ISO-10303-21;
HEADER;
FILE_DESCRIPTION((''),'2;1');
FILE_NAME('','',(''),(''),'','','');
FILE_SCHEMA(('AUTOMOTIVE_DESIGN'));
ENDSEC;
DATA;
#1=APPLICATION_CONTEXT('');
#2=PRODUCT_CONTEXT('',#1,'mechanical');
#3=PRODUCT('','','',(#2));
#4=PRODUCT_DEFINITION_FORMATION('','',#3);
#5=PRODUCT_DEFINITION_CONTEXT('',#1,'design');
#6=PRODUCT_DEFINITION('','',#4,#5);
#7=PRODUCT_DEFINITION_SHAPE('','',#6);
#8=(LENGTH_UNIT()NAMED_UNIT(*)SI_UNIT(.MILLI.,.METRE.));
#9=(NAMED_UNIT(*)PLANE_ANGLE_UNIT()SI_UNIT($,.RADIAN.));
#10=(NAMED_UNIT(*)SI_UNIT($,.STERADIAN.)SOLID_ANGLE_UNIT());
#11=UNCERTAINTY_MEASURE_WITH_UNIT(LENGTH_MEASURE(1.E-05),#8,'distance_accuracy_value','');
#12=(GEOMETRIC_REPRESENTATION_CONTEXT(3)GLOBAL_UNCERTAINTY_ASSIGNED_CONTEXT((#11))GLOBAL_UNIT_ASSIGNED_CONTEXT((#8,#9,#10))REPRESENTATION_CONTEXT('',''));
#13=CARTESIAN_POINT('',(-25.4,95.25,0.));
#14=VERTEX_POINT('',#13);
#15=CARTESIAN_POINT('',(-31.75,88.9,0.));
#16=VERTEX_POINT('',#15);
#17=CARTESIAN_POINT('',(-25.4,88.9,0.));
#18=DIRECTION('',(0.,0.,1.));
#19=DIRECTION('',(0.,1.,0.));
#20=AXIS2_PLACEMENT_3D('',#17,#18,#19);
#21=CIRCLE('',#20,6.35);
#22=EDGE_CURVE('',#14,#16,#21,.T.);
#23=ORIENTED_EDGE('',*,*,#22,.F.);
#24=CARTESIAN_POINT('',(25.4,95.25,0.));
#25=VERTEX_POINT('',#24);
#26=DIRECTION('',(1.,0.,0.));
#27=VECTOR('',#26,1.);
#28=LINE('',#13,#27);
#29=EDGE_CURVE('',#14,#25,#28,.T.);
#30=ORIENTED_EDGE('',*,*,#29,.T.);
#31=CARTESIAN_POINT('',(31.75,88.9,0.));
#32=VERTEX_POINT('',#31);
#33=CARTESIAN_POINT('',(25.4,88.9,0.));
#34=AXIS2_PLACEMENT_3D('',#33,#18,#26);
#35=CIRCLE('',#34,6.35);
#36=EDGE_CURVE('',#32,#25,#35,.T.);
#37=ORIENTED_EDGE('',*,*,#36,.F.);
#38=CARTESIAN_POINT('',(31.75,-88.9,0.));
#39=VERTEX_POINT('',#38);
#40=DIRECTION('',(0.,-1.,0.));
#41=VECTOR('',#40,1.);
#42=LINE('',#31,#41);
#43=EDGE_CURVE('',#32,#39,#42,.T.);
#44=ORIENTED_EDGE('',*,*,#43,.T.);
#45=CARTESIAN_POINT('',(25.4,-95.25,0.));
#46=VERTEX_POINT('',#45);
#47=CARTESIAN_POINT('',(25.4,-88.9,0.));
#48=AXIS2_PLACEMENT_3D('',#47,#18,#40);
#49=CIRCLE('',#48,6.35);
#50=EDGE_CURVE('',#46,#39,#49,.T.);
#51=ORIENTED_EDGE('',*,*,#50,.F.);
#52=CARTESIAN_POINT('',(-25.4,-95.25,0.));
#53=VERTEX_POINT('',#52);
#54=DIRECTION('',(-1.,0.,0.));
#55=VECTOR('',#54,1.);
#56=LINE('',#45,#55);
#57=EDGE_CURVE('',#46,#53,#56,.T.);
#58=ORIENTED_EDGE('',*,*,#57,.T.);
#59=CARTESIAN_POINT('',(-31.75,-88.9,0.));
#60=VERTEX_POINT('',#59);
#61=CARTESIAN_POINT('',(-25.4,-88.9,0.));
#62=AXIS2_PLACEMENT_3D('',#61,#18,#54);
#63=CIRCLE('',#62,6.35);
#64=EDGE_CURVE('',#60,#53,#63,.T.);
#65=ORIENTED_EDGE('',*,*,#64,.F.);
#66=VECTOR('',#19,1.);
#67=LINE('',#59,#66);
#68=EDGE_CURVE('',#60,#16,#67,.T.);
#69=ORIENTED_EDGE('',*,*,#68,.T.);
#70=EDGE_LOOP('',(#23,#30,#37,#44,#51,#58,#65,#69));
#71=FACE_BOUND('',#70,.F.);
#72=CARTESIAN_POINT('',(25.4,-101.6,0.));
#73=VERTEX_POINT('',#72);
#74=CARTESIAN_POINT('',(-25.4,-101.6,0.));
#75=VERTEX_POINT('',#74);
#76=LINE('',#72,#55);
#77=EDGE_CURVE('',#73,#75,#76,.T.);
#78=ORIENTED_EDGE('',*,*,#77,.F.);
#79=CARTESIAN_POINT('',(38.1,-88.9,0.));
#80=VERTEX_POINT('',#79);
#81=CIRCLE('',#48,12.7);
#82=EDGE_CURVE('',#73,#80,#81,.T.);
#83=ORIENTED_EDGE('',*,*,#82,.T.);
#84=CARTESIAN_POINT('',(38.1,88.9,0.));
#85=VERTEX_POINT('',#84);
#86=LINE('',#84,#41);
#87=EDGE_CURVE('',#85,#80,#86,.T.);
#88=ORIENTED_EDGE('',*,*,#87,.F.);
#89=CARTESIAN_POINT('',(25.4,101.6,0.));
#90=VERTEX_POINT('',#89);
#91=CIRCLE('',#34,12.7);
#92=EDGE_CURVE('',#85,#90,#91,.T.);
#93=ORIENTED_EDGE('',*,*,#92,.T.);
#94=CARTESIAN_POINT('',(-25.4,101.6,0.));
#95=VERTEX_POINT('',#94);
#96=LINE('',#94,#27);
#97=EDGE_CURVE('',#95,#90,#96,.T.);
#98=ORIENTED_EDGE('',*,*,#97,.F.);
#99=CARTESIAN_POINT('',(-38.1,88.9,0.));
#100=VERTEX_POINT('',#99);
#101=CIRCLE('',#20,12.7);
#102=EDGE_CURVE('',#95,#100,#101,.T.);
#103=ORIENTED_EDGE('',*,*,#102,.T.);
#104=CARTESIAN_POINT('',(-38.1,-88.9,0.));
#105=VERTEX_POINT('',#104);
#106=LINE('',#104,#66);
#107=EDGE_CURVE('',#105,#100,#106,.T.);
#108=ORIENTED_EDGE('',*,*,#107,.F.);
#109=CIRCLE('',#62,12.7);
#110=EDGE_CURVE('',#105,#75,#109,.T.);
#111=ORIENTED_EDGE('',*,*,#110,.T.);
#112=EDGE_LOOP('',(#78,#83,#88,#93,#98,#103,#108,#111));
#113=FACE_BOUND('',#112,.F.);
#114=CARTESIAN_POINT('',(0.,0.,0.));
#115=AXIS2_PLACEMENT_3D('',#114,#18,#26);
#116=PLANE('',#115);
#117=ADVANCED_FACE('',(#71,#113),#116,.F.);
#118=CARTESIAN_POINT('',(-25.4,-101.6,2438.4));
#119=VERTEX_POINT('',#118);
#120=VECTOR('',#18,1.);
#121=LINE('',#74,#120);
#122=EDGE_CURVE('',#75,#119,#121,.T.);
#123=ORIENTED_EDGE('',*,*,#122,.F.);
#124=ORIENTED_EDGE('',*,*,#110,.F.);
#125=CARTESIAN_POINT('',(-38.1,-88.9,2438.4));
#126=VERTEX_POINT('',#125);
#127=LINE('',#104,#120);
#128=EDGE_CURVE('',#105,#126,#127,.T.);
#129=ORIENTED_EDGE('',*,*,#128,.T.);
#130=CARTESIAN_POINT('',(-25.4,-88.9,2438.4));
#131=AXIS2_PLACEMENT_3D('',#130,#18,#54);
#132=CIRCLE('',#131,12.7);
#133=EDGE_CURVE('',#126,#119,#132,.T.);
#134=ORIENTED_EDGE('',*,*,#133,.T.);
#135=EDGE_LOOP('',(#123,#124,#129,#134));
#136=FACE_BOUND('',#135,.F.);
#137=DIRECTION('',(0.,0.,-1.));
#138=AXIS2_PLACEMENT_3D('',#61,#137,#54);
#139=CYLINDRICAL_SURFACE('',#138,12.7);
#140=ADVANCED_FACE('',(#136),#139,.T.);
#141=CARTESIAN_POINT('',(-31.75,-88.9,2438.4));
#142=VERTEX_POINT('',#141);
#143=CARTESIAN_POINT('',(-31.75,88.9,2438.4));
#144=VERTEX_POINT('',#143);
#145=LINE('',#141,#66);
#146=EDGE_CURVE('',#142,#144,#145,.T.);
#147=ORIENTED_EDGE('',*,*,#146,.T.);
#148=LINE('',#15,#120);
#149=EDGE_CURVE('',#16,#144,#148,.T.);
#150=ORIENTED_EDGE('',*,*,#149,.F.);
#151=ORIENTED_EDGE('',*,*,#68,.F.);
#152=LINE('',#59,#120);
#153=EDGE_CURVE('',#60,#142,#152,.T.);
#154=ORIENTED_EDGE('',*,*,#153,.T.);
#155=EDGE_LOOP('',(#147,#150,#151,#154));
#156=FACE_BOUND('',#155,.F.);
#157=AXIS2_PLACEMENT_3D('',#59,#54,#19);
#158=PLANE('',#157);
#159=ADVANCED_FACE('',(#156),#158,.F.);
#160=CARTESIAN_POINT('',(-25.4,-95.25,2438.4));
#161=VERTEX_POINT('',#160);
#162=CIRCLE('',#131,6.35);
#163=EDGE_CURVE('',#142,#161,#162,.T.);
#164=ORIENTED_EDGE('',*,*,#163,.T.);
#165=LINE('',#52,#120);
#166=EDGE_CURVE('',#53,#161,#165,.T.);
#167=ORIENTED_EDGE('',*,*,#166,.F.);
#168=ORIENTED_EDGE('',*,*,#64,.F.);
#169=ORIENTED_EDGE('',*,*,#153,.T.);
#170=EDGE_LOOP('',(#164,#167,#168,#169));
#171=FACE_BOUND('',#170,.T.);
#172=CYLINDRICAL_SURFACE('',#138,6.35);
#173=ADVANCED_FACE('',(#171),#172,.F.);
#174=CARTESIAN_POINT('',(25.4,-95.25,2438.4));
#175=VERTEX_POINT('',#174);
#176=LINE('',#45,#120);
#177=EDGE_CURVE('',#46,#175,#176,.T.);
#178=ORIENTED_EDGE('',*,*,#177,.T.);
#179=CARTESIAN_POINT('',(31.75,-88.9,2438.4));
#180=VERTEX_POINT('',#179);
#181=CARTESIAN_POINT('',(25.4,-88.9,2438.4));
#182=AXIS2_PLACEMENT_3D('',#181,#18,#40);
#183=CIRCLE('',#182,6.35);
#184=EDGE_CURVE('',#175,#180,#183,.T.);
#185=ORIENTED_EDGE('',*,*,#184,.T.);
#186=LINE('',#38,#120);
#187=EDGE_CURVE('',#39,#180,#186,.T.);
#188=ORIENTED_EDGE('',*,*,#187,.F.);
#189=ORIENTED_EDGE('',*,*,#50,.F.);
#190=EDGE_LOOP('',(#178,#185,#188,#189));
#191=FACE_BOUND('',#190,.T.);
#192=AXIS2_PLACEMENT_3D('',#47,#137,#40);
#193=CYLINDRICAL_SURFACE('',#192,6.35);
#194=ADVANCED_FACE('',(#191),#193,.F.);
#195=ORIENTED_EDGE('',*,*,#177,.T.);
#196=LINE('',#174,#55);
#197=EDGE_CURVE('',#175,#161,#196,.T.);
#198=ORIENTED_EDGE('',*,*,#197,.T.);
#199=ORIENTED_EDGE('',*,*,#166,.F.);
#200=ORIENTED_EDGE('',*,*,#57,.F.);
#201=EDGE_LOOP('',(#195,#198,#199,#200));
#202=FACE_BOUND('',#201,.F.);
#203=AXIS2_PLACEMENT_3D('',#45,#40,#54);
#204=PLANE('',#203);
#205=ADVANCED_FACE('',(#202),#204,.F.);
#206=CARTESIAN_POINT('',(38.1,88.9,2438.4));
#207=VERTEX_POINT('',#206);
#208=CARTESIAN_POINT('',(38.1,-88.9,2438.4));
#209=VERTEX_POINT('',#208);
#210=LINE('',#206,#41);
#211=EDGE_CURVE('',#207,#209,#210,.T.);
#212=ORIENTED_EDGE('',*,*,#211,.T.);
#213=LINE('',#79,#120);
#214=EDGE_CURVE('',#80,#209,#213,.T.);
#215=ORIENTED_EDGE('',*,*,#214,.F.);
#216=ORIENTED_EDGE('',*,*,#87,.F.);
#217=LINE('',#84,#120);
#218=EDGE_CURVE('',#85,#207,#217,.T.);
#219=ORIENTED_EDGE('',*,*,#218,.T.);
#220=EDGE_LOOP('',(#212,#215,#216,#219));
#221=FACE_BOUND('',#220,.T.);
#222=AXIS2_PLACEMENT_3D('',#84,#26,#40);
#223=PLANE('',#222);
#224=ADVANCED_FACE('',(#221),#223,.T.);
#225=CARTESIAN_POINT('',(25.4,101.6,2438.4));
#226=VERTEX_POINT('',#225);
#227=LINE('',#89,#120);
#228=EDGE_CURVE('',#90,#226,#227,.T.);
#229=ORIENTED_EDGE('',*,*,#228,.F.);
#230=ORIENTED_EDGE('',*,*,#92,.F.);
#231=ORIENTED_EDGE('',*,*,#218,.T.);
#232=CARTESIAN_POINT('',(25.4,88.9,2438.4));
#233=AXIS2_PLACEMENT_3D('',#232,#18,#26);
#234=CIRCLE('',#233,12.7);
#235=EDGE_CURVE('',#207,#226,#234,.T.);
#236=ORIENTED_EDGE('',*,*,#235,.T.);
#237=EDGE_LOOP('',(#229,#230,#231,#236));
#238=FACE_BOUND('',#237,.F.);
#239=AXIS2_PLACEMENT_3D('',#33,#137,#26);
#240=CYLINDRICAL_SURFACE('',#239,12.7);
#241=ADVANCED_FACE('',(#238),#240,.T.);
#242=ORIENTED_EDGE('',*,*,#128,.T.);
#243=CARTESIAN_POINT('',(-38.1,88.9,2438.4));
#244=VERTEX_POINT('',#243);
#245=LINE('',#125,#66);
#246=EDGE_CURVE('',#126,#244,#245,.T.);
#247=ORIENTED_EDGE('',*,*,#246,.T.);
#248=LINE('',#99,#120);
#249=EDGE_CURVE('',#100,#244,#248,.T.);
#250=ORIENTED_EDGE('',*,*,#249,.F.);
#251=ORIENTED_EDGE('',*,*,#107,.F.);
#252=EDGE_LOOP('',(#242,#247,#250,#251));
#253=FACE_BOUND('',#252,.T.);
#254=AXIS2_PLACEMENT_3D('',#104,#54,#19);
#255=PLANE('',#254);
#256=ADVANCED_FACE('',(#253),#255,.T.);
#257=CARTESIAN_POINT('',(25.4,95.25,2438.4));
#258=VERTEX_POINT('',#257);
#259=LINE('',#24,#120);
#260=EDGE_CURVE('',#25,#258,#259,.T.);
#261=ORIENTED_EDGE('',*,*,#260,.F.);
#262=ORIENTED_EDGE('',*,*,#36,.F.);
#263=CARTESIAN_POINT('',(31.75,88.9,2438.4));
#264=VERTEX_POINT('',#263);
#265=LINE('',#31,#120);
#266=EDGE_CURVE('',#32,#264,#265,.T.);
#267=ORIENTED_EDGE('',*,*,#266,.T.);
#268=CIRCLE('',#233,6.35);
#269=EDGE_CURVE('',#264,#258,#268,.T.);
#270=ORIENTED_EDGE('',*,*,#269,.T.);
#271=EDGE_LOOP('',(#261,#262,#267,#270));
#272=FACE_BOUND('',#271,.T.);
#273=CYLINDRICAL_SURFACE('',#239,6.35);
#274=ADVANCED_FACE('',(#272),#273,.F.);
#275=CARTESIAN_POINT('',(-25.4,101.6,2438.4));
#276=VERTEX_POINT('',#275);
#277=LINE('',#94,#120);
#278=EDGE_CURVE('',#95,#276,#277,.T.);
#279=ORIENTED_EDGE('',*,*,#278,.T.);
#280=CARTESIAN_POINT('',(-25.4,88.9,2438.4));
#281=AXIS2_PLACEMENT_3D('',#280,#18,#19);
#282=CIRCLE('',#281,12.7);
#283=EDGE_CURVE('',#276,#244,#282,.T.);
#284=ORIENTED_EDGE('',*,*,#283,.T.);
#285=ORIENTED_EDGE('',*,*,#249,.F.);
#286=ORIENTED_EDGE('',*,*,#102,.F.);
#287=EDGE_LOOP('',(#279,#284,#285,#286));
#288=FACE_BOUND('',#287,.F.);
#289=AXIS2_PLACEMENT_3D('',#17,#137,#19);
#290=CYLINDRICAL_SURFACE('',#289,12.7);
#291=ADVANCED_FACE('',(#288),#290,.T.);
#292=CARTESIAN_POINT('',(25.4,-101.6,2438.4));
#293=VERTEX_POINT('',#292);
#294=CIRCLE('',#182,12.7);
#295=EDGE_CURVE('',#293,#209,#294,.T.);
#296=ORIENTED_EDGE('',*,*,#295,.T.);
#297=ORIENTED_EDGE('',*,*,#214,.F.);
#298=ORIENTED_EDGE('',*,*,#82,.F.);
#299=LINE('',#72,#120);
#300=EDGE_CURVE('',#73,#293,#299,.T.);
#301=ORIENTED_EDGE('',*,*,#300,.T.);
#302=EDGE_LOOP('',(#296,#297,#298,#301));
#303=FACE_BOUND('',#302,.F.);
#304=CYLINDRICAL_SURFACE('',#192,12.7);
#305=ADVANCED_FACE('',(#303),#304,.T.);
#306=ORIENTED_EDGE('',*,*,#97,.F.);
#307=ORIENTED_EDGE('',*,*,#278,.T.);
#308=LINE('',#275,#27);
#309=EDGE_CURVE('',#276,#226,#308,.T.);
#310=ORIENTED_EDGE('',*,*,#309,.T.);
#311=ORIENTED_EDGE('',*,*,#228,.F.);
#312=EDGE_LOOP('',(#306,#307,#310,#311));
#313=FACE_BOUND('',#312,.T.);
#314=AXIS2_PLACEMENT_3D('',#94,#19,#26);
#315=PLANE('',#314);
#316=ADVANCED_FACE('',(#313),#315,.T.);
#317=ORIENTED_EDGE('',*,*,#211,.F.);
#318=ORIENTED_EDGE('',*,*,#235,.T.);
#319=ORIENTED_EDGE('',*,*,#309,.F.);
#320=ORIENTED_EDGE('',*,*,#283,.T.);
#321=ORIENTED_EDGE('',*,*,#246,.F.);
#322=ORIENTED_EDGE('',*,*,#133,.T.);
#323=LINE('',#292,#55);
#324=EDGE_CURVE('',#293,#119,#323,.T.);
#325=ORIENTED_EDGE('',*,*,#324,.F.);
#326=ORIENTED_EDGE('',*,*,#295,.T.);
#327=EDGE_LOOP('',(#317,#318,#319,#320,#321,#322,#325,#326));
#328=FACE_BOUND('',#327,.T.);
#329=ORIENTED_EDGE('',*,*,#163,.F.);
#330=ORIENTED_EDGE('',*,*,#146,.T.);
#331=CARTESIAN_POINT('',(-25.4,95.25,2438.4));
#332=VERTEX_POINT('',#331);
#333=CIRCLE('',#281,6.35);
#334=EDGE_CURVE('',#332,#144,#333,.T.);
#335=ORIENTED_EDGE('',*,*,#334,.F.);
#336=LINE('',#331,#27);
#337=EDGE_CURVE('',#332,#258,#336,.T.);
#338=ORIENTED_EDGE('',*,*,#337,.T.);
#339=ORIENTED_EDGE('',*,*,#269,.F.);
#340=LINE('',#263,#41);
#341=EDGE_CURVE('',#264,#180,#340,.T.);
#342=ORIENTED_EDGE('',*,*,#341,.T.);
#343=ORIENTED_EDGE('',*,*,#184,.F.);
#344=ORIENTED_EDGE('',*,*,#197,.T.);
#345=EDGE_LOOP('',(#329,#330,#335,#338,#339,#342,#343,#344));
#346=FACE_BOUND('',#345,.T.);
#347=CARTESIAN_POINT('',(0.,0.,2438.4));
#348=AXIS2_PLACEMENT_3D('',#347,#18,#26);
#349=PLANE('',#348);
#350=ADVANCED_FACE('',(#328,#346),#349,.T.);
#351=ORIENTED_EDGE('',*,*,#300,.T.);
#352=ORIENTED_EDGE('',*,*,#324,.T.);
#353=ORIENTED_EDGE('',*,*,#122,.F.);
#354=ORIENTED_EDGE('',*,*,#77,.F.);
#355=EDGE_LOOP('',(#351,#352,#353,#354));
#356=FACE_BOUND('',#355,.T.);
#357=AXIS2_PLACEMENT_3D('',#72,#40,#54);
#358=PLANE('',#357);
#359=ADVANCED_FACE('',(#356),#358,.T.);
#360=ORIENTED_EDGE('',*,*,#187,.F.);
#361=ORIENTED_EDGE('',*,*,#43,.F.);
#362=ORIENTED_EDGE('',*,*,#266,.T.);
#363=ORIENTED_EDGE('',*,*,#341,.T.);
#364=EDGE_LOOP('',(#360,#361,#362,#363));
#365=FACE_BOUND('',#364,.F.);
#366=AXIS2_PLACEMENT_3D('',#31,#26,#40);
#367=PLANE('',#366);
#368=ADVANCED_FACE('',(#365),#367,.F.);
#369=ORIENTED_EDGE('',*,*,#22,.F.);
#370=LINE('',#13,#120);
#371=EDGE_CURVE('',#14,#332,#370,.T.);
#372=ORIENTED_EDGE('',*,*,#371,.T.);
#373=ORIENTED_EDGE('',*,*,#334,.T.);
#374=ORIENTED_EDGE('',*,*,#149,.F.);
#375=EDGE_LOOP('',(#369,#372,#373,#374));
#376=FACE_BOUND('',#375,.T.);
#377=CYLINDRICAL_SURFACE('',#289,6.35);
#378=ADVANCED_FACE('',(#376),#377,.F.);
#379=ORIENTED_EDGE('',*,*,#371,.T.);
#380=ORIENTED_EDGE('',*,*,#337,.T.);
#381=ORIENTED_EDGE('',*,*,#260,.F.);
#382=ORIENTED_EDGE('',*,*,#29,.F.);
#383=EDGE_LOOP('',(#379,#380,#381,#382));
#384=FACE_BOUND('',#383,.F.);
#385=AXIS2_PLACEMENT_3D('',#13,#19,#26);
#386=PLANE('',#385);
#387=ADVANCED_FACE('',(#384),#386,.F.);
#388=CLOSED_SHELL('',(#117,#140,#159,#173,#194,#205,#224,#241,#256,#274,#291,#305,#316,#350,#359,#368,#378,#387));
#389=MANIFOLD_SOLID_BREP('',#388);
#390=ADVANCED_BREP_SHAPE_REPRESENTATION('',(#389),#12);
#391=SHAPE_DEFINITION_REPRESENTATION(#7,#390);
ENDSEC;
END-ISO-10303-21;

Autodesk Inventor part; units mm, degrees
ref_plane "YZ Plane" through (0, 0, 0) normal (1, 0, 0) x (0, 1, 0)
ref_plane "Start plane" through (0, 0, 0) normal (0, 0, 1) x (1, 0, 0)
ref_plane "End plane" through (0, 0, 2438.4) normal (0, 0, 1) x (1, 0, 0)
sketch "Sketch" plane through (0, 0, 0) normal (0, 0, 1) x (1, 0, 0)
  line L0 (-38.1, -88.9) -> (-38.1, 88.9)
  line L1 (-25.4, 101.6) -> (25.4, 101.6)
  line L2 (38.1, 88.9) -> (38.1, -88.9)
  line L3 (25.4, -101.6) -> (-25.4, -101.6)
  arc A0 (-38.1, -88.9) -> (-25.4, -101.6) centre (-25.4, -88.9) ccw
  arc A1 (-25.4, 101.6) -> (-38.1, 88.9) centre (-25.4, 88.9) ccw
  arc A2 (38.1, 88.9) -> (25.4, 101.6) centre (25.4, 88.9) ccw
  arc A3 (25.4, -101.6) -> (38.1, -88.9) centre (25.4, -88.9) ccw
  arc A4 (-25.4, 95.25) -> (-31.75, 88.9) centre (-25.4, 88.9) ccw
  line L4 (-25.4, 95.25) -> (25.4, 95.25)
  arc A5 (31.75, 88.9) -> (25.4, 95.25) centre (25.4, 88.9) ccw
  line L5 (31.75, 88.9) -> (31.75, -88.9)
  arc A6 (25.4, -95.25) -> (31.75, -88.9) centre (25.4, -88.9) ccw
  line L6 (25.4, -95.25) -> (-25.4, -95.25)
  arc A7 (-31.75, -88.9) -> (-25.4, -95.25) centre (-25.4, -88.9) ccw
  line L7 (-31.75, -88.9) -> (-31.75, 88.9)
  line L8 (0, 145.9224) -> (0, -145.9224) construction
  line L9 (-57.0224, 0) -> (57.0224, 0) construction
  dimension "d10" = 203.2
  dimension "d11" = 76.2
  dimension "d12" = 6.35
  dimension "d15" = 101.6
  dimension "d16" = 38.1
  dimension "d17" = 12.7
extrude "Body" add sketch "Sketch" along normal up to surface (2438.4 mm away) from surface at 0
sketch "Sketch3" plane through (0, 0, 0) normal (0, 0, 1) x (1, 0, 0)
  line L0 (0, 0) -> (10, 0)
ref_plane "Work Plane3" through (0, 0, 0) normal (0, -1, 0) x (1, 0, 0)
sketch "Sketch4" plane through (0, 0, 0) normal (0, -1, 0) x (1, 0, 0)
  line L0 (-2, 0) -> (12, 0)
  line L1 (-2, 2438.4) -> (12, 2438.4)
  dimension "d19" = 2438.4
equation "\"d10\" = G_H"
equation "\"d11\" = G_W"
equation "\"d12\" = G_T"
equation "\"d15\" = 0.5 * d10"
equation "\"d16\" = 0.5 * d11"
equation "\"d17\" = G_IR"
equation "\"d3\" = G_L"
equation "\"G_W\" = 76.2"
equation "\"G_H\" = 203.2"
equation "\"G_T\" = 6.35"
equation "\"G_IR\" = 12.7"
equation "\"G_L\" = d19"
equation "\"G_OFFSET_START\" = 0"
equation "\"G_OFFSET_END\" = 0"
equation "\"d14\" = G_OFFSET_END + B_L"
equation "\"B_L\" = 2438.4"
properties part number "AISC - 8x3x1/4 - 96" material "Steel, Mild"
